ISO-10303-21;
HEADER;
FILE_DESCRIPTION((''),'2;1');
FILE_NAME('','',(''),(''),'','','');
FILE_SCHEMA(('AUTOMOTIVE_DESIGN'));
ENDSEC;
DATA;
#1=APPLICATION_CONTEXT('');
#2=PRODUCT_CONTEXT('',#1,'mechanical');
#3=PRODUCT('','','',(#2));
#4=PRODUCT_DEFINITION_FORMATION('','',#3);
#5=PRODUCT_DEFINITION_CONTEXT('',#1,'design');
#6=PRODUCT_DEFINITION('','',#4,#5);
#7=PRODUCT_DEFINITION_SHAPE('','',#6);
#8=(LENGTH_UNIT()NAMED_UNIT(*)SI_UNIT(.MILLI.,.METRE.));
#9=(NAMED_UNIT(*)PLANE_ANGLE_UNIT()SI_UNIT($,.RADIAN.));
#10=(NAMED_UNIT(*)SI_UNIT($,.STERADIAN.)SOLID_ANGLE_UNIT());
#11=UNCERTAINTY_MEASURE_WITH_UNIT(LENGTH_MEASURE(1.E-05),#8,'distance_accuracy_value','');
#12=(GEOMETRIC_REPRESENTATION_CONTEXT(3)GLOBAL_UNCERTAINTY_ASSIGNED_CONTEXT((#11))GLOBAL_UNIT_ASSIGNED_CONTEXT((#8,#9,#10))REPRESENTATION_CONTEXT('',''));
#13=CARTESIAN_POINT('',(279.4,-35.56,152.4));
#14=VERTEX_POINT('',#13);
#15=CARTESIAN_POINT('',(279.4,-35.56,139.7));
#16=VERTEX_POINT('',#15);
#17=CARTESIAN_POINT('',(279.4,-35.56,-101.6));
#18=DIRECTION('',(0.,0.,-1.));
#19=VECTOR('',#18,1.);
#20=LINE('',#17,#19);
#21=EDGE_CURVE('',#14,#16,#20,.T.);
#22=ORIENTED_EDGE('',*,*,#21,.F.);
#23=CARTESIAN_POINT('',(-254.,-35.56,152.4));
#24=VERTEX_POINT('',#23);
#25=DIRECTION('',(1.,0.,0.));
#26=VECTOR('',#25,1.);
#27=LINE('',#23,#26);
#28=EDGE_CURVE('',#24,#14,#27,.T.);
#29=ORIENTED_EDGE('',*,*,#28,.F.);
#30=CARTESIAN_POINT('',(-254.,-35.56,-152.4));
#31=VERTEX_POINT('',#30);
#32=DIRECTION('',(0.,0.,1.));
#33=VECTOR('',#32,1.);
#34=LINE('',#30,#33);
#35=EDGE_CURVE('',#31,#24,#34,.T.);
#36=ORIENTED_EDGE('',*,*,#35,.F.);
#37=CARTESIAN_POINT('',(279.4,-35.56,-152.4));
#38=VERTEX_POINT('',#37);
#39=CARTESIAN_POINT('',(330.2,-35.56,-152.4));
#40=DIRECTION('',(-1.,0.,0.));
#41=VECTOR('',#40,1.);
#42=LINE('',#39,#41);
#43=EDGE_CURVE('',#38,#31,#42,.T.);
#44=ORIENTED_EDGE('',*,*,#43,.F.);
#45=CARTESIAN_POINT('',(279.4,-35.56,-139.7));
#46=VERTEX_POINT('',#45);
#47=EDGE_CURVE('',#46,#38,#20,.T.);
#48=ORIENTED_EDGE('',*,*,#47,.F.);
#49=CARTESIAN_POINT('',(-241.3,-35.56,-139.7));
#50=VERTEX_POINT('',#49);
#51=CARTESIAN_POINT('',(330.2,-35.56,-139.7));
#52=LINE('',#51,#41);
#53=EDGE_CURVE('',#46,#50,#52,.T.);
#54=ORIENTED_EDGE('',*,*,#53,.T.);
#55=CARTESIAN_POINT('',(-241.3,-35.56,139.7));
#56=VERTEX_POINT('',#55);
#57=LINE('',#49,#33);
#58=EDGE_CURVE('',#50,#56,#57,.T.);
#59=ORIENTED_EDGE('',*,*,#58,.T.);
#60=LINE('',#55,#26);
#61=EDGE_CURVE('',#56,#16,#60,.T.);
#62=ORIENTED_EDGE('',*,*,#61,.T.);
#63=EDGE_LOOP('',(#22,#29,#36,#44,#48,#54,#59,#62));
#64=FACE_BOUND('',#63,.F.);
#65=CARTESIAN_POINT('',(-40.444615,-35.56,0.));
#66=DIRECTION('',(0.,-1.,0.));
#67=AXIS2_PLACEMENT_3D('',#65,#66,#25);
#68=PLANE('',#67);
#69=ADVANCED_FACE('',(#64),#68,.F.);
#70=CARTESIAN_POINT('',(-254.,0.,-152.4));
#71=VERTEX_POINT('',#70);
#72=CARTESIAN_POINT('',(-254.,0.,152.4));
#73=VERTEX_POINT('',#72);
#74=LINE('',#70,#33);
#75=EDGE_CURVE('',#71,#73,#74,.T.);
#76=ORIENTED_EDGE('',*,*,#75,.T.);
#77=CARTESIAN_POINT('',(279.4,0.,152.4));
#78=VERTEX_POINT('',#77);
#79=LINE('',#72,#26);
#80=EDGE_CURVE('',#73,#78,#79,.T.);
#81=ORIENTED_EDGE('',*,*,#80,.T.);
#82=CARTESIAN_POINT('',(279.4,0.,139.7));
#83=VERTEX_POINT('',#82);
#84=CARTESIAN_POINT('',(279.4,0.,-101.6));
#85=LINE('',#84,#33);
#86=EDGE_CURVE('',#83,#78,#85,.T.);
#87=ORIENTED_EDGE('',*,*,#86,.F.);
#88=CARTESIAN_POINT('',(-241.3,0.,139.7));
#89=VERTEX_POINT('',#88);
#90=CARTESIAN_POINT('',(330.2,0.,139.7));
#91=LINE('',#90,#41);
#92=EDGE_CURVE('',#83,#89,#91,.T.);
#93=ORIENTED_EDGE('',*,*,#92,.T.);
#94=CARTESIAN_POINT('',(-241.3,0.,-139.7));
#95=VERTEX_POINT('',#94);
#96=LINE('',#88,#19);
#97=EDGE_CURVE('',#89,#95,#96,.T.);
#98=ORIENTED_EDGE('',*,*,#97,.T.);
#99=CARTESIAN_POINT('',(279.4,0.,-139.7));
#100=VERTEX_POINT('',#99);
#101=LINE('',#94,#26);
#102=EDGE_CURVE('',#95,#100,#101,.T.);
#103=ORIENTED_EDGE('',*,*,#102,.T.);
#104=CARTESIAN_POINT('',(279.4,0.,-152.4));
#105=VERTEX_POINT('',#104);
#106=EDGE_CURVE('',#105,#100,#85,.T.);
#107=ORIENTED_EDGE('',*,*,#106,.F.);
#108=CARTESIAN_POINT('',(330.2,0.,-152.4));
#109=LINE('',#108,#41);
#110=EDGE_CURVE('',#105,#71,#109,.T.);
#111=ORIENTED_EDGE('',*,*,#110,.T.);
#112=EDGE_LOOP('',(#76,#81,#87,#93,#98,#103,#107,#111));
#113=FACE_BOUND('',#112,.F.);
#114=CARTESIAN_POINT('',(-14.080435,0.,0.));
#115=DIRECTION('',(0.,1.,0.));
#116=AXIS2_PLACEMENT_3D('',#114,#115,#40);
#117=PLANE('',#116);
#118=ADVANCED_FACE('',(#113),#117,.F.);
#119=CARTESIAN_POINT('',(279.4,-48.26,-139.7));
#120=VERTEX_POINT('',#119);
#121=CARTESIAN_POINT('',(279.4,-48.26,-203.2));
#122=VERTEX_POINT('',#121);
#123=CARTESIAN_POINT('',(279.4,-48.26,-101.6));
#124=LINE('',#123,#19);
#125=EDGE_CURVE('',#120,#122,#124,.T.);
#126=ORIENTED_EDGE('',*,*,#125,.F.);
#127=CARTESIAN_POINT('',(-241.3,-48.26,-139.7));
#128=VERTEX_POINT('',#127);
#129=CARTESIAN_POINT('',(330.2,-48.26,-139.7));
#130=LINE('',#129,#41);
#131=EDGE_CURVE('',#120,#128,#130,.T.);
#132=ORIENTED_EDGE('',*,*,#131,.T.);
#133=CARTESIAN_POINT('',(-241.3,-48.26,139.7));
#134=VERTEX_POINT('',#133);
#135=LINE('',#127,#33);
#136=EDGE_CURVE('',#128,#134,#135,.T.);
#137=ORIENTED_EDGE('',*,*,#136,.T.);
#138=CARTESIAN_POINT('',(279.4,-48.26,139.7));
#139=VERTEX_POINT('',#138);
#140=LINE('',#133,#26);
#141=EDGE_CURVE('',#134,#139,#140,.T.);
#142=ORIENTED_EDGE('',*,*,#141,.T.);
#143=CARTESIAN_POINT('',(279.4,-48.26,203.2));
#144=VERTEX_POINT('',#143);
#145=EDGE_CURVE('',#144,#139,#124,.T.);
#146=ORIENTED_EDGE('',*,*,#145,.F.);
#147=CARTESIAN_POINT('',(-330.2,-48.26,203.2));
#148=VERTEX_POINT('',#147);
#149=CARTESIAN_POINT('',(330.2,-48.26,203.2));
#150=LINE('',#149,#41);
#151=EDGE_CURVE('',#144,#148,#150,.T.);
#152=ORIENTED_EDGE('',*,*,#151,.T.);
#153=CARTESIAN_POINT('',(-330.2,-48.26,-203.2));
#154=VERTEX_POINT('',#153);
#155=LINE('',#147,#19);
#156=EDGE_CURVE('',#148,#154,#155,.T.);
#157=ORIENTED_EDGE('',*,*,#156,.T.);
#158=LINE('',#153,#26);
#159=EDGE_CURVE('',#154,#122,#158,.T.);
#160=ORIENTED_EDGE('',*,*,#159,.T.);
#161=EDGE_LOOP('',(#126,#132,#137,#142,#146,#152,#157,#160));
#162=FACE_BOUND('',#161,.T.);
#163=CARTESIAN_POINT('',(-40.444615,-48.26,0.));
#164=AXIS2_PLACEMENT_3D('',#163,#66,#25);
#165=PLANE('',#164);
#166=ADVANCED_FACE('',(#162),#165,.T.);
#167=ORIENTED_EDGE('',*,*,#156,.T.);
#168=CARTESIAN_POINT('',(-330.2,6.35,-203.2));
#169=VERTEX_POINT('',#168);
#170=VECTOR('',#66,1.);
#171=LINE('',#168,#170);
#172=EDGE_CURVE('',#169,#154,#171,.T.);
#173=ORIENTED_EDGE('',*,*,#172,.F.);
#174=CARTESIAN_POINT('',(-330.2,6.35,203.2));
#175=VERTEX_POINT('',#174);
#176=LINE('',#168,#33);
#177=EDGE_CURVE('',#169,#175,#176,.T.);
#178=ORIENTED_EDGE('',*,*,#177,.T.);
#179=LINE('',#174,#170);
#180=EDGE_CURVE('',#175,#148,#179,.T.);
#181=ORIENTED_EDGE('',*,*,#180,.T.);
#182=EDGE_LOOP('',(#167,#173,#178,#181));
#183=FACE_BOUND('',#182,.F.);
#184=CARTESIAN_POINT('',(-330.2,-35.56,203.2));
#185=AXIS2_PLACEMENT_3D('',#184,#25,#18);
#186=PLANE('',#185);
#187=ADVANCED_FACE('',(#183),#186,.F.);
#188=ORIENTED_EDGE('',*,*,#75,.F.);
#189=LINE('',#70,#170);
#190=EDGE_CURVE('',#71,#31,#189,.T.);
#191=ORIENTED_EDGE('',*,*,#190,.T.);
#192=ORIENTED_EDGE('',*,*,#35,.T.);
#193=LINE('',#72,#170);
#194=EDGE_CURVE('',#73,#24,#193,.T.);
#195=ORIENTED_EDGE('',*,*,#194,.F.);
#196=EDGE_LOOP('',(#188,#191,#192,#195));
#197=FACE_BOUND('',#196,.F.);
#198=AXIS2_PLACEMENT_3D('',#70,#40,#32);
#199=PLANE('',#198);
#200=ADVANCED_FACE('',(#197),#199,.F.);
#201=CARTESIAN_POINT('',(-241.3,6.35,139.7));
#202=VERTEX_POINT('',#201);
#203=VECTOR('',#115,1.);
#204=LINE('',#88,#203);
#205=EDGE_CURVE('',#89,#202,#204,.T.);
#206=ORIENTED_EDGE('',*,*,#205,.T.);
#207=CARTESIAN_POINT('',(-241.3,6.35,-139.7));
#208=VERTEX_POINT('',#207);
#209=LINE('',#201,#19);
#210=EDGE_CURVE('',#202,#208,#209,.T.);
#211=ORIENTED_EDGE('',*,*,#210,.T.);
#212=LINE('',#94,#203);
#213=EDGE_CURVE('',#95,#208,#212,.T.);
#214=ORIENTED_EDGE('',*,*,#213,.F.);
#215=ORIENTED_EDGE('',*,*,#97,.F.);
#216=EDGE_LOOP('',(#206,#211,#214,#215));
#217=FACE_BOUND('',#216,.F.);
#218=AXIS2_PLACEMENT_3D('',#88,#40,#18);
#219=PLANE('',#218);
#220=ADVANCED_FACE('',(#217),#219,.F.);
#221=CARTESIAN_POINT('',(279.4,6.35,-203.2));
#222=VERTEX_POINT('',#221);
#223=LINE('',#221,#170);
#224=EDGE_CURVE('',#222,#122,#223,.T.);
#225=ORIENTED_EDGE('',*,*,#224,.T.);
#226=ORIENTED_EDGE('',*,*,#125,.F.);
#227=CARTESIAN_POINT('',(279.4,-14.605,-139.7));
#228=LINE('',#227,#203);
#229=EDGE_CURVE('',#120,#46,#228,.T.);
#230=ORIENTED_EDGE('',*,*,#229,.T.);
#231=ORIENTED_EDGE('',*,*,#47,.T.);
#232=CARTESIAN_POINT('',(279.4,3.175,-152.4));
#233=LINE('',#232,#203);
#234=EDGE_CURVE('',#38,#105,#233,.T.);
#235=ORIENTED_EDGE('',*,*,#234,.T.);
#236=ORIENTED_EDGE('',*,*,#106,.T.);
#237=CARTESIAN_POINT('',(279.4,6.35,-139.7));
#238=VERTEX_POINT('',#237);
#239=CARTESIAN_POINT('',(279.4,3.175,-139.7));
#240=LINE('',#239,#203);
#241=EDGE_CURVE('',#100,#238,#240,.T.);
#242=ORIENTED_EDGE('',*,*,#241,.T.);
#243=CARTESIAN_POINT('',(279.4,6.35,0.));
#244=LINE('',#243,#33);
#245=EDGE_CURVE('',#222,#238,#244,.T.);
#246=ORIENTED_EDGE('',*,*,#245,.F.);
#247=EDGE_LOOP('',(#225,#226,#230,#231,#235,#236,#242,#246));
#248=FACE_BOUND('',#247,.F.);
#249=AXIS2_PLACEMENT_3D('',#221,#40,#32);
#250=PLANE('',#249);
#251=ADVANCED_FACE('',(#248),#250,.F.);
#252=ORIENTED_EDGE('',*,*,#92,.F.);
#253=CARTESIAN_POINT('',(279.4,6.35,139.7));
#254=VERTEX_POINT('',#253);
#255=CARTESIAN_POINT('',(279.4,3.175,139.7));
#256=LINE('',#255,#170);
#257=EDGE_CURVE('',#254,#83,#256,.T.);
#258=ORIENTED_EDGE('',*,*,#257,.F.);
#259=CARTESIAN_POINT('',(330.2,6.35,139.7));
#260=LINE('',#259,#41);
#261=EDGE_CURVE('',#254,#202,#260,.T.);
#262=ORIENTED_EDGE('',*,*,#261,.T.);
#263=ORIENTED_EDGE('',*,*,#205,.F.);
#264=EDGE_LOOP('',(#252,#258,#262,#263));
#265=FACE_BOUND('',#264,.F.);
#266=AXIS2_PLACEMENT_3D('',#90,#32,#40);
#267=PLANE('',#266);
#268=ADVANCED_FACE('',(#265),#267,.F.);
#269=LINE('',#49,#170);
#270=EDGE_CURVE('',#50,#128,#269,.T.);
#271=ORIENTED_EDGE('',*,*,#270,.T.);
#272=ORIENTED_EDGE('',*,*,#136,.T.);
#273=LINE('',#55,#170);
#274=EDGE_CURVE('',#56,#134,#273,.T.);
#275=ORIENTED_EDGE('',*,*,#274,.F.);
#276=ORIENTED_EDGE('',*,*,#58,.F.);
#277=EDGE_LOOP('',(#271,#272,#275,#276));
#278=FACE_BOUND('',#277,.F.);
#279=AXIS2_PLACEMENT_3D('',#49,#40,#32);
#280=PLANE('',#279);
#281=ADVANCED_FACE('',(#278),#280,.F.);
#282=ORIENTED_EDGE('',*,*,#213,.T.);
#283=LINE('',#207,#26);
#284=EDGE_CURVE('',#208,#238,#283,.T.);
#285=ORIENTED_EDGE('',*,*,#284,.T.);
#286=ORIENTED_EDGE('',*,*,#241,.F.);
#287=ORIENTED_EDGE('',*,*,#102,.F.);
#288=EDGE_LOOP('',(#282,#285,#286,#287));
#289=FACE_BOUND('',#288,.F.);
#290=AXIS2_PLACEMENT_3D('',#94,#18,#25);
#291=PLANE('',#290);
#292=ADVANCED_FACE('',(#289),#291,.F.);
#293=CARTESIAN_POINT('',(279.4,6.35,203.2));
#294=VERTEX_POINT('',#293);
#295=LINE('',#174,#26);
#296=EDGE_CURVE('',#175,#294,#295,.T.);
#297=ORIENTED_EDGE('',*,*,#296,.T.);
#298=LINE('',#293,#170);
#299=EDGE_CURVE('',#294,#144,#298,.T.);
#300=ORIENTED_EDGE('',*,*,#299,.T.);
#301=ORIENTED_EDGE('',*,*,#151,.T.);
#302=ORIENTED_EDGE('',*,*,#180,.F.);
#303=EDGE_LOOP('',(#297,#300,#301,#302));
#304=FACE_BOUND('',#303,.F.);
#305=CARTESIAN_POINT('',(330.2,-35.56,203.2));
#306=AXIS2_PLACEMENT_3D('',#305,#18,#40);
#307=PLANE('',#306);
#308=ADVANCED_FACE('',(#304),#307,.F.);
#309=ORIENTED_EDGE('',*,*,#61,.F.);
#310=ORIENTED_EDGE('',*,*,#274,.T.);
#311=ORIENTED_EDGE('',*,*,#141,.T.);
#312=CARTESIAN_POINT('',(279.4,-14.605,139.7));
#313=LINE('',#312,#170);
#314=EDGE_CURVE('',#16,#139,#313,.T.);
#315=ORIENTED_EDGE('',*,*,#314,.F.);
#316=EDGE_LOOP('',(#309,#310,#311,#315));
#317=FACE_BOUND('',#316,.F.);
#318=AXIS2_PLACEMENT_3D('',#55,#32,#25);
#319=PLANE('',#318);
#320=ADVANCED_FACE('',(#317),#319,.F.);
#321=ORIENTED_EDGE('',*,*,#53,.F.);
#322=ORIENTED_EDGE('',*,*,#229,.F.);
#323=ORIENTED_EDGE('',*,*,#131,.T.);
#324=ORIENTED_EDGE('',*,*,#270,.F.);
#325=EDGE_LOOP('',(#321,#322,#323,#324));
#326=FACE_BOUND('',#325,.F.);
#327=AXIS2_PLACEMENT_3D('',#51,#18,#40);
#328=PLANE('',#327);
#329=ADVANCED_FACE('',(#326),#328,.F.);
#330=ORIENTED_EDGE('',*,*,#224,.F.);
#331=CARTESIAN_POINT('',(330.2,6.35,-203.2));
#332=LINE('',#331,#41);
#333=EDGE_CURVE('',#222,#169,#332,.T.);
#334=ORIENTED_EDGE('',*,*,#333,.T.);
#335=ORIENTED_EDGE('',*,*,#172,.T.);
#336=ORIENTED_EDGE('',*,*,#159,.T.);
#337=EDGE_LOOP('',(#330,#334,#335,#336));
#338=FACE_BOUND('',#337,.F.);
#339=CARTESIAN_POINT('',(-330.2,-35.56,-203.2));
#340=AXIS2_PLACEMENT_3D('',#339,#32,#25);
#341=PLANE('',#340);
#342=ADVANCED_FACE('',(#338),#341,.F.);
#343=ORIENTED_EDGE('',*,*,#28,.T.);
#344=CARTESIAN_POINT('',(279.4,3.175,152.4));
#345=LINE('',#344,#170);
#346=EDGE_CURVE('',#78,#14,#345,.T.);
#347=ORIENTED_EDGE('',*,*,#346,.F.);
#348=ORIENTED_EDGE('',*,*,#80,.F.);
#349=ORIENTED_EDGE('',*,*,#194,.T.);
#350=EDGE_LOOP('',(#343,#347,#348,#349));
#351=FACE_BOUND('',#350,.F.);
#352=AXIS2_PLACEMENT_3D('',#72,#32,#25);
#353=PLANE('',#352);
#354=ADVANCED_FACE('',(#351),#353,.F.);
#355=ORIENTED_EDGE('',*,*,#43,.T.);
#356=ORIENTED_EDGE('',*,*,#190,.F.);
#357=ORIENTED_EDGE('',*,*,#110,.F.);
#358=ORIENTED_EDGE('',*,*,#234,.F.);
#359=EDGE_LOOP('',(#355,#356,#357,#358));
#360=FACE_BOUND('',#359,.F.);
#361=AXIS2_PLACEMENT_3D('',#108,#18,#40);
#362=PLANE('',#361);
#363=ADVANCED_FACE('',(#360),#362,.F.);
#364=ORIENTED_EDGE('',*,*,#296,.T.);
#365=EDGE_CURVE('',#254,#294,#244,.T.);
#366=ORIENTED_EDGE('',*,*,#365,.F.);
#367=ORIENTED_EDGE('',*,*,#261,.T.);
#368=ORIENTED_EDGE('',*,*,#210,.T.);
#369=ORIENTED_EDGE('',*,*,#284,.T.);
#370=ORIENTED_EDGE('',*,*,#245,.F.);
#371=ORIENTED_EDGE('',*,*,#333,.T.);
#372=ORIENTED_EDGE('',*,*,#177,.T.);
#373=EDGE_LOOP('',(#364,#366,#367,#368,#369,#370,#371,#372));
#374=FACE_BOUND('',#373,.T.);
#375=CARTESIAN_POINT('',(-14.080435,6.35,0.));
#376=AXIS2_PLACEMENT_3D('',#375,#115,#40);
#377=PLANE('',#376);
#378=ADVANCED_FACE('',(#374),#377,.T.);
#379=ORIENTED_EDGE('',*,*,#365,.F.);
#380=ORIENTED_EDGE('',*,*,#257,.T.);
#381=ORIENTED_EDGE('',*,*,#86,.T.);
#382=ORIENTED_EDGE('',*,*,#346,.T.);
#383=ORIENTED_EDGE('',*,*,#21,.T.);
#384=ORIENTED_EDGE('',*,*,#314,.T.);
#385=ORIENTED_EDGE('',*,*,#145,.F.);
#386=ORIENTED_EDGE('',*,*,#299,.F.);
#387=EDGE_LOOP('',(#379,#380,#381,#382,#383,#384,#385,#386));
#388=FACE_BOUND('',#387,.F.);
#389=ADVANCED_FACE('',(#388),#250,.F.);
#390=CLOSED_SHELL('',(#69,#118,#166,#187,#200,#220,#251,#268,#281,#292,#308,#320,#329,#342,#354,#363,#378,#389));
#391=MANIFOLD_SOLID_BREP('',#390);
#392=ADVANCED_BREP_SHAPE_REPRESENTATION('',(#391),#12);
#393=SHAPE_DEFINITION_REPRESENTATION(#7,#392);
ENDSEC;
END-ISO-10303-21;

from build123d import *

# Parameters (mm, degrees)
F1_DEPTH = 35.56
F3_DEPTH = 6.35
F5_DEPTH = 12.7
F6_W     = 50.8
F6_H     = 406.4
F7_DEPTH = 162.56


with BuildPart() as f1:
    # F0 (on Front) → F1 (new body)
    with BuildSketch(Plane.XZ):
        Polygon((-254, 152.4), (254, 152.4), (330.2, 152.4), (330.2, 203.2), (-330.2, 203.2), (-330.2, -203.2), (330.2, -203.2), (330.2, -152.4), (254, -152.4), (-254, -152.4), align=None)
    extrude(amount=F1_DEPTH)

    # F2 (on face) + F1_face (on face) → F3 (join)
    with BuildSketch(Plane(origin=(0, 0, 0), x_dir=(-1, 0, 0), z_dir=(0, 1, 0))):
        Polygon((254, 152.4), (-330.2, 152.4), (-330.2, 139.7), (241.3, 139.7), (241.3, -139.7), (-330.2, -139.7), (-330.2, -152.4), (254, -152.4), align=None)
        Polygon((330.2, 203.2), (-330.2, 203.2), (-330.2, 152.4), (254, 152.4), (254, -152.4), (-330.2, -152.4), (-330.2, -203.2), (330.2, -203.2), align=None)
    with BuildSketch(Plane(origin=(-75.111429, 0, 0), x_dir=(1, 0, 0), z_dir=(0, 1, 0))):
        Polygon((-178.888571, -152.4), (405.311429, -152.4), (405.311429, -203.2), (-255.088571, -203.2), (-255.088571, 203.2), (405.311429, 203.2), (405.311429, 152.4), (-178.888571, 152.4), align=None)
    extrude(amount=F3_DEPTH)

    # F4 (on face) → F5 (join)
    with BuildSketch(Plane.XZ.offset(35.56)):
        Polygon((330.2, 203.2), (-330.2, 203.2), (-330.2, -203.2), (330.2, -203.2), (330.2, -152.4), (-254, -152.4), (-254, 152.4), (330.2, 152.4), align=None)
        Polygon((330.2, 139.7), (330.2, 152.4), (-254, 152.4), (-254, -152.4), (330.2, -152.4), (330.2, -139.7), (-241.3, -139.7), (-241.3, 139.7), align=None)
    extrude(amount=F5_DEPTH)

    # F6 (on face) → F7 (cut)
    with BuildSketch(Plane(origin=(0, 6.35, 0), x_dir=(-1, 0, 0), z_dir=(0, 1, 0))):
        with Locations((-304.8, 0)):
            Rectangle(F6_W, F6_H)
    extrude(amount=-F7_DEPTH, mode=Mode.SUBTRACT)


solid = f1.part
